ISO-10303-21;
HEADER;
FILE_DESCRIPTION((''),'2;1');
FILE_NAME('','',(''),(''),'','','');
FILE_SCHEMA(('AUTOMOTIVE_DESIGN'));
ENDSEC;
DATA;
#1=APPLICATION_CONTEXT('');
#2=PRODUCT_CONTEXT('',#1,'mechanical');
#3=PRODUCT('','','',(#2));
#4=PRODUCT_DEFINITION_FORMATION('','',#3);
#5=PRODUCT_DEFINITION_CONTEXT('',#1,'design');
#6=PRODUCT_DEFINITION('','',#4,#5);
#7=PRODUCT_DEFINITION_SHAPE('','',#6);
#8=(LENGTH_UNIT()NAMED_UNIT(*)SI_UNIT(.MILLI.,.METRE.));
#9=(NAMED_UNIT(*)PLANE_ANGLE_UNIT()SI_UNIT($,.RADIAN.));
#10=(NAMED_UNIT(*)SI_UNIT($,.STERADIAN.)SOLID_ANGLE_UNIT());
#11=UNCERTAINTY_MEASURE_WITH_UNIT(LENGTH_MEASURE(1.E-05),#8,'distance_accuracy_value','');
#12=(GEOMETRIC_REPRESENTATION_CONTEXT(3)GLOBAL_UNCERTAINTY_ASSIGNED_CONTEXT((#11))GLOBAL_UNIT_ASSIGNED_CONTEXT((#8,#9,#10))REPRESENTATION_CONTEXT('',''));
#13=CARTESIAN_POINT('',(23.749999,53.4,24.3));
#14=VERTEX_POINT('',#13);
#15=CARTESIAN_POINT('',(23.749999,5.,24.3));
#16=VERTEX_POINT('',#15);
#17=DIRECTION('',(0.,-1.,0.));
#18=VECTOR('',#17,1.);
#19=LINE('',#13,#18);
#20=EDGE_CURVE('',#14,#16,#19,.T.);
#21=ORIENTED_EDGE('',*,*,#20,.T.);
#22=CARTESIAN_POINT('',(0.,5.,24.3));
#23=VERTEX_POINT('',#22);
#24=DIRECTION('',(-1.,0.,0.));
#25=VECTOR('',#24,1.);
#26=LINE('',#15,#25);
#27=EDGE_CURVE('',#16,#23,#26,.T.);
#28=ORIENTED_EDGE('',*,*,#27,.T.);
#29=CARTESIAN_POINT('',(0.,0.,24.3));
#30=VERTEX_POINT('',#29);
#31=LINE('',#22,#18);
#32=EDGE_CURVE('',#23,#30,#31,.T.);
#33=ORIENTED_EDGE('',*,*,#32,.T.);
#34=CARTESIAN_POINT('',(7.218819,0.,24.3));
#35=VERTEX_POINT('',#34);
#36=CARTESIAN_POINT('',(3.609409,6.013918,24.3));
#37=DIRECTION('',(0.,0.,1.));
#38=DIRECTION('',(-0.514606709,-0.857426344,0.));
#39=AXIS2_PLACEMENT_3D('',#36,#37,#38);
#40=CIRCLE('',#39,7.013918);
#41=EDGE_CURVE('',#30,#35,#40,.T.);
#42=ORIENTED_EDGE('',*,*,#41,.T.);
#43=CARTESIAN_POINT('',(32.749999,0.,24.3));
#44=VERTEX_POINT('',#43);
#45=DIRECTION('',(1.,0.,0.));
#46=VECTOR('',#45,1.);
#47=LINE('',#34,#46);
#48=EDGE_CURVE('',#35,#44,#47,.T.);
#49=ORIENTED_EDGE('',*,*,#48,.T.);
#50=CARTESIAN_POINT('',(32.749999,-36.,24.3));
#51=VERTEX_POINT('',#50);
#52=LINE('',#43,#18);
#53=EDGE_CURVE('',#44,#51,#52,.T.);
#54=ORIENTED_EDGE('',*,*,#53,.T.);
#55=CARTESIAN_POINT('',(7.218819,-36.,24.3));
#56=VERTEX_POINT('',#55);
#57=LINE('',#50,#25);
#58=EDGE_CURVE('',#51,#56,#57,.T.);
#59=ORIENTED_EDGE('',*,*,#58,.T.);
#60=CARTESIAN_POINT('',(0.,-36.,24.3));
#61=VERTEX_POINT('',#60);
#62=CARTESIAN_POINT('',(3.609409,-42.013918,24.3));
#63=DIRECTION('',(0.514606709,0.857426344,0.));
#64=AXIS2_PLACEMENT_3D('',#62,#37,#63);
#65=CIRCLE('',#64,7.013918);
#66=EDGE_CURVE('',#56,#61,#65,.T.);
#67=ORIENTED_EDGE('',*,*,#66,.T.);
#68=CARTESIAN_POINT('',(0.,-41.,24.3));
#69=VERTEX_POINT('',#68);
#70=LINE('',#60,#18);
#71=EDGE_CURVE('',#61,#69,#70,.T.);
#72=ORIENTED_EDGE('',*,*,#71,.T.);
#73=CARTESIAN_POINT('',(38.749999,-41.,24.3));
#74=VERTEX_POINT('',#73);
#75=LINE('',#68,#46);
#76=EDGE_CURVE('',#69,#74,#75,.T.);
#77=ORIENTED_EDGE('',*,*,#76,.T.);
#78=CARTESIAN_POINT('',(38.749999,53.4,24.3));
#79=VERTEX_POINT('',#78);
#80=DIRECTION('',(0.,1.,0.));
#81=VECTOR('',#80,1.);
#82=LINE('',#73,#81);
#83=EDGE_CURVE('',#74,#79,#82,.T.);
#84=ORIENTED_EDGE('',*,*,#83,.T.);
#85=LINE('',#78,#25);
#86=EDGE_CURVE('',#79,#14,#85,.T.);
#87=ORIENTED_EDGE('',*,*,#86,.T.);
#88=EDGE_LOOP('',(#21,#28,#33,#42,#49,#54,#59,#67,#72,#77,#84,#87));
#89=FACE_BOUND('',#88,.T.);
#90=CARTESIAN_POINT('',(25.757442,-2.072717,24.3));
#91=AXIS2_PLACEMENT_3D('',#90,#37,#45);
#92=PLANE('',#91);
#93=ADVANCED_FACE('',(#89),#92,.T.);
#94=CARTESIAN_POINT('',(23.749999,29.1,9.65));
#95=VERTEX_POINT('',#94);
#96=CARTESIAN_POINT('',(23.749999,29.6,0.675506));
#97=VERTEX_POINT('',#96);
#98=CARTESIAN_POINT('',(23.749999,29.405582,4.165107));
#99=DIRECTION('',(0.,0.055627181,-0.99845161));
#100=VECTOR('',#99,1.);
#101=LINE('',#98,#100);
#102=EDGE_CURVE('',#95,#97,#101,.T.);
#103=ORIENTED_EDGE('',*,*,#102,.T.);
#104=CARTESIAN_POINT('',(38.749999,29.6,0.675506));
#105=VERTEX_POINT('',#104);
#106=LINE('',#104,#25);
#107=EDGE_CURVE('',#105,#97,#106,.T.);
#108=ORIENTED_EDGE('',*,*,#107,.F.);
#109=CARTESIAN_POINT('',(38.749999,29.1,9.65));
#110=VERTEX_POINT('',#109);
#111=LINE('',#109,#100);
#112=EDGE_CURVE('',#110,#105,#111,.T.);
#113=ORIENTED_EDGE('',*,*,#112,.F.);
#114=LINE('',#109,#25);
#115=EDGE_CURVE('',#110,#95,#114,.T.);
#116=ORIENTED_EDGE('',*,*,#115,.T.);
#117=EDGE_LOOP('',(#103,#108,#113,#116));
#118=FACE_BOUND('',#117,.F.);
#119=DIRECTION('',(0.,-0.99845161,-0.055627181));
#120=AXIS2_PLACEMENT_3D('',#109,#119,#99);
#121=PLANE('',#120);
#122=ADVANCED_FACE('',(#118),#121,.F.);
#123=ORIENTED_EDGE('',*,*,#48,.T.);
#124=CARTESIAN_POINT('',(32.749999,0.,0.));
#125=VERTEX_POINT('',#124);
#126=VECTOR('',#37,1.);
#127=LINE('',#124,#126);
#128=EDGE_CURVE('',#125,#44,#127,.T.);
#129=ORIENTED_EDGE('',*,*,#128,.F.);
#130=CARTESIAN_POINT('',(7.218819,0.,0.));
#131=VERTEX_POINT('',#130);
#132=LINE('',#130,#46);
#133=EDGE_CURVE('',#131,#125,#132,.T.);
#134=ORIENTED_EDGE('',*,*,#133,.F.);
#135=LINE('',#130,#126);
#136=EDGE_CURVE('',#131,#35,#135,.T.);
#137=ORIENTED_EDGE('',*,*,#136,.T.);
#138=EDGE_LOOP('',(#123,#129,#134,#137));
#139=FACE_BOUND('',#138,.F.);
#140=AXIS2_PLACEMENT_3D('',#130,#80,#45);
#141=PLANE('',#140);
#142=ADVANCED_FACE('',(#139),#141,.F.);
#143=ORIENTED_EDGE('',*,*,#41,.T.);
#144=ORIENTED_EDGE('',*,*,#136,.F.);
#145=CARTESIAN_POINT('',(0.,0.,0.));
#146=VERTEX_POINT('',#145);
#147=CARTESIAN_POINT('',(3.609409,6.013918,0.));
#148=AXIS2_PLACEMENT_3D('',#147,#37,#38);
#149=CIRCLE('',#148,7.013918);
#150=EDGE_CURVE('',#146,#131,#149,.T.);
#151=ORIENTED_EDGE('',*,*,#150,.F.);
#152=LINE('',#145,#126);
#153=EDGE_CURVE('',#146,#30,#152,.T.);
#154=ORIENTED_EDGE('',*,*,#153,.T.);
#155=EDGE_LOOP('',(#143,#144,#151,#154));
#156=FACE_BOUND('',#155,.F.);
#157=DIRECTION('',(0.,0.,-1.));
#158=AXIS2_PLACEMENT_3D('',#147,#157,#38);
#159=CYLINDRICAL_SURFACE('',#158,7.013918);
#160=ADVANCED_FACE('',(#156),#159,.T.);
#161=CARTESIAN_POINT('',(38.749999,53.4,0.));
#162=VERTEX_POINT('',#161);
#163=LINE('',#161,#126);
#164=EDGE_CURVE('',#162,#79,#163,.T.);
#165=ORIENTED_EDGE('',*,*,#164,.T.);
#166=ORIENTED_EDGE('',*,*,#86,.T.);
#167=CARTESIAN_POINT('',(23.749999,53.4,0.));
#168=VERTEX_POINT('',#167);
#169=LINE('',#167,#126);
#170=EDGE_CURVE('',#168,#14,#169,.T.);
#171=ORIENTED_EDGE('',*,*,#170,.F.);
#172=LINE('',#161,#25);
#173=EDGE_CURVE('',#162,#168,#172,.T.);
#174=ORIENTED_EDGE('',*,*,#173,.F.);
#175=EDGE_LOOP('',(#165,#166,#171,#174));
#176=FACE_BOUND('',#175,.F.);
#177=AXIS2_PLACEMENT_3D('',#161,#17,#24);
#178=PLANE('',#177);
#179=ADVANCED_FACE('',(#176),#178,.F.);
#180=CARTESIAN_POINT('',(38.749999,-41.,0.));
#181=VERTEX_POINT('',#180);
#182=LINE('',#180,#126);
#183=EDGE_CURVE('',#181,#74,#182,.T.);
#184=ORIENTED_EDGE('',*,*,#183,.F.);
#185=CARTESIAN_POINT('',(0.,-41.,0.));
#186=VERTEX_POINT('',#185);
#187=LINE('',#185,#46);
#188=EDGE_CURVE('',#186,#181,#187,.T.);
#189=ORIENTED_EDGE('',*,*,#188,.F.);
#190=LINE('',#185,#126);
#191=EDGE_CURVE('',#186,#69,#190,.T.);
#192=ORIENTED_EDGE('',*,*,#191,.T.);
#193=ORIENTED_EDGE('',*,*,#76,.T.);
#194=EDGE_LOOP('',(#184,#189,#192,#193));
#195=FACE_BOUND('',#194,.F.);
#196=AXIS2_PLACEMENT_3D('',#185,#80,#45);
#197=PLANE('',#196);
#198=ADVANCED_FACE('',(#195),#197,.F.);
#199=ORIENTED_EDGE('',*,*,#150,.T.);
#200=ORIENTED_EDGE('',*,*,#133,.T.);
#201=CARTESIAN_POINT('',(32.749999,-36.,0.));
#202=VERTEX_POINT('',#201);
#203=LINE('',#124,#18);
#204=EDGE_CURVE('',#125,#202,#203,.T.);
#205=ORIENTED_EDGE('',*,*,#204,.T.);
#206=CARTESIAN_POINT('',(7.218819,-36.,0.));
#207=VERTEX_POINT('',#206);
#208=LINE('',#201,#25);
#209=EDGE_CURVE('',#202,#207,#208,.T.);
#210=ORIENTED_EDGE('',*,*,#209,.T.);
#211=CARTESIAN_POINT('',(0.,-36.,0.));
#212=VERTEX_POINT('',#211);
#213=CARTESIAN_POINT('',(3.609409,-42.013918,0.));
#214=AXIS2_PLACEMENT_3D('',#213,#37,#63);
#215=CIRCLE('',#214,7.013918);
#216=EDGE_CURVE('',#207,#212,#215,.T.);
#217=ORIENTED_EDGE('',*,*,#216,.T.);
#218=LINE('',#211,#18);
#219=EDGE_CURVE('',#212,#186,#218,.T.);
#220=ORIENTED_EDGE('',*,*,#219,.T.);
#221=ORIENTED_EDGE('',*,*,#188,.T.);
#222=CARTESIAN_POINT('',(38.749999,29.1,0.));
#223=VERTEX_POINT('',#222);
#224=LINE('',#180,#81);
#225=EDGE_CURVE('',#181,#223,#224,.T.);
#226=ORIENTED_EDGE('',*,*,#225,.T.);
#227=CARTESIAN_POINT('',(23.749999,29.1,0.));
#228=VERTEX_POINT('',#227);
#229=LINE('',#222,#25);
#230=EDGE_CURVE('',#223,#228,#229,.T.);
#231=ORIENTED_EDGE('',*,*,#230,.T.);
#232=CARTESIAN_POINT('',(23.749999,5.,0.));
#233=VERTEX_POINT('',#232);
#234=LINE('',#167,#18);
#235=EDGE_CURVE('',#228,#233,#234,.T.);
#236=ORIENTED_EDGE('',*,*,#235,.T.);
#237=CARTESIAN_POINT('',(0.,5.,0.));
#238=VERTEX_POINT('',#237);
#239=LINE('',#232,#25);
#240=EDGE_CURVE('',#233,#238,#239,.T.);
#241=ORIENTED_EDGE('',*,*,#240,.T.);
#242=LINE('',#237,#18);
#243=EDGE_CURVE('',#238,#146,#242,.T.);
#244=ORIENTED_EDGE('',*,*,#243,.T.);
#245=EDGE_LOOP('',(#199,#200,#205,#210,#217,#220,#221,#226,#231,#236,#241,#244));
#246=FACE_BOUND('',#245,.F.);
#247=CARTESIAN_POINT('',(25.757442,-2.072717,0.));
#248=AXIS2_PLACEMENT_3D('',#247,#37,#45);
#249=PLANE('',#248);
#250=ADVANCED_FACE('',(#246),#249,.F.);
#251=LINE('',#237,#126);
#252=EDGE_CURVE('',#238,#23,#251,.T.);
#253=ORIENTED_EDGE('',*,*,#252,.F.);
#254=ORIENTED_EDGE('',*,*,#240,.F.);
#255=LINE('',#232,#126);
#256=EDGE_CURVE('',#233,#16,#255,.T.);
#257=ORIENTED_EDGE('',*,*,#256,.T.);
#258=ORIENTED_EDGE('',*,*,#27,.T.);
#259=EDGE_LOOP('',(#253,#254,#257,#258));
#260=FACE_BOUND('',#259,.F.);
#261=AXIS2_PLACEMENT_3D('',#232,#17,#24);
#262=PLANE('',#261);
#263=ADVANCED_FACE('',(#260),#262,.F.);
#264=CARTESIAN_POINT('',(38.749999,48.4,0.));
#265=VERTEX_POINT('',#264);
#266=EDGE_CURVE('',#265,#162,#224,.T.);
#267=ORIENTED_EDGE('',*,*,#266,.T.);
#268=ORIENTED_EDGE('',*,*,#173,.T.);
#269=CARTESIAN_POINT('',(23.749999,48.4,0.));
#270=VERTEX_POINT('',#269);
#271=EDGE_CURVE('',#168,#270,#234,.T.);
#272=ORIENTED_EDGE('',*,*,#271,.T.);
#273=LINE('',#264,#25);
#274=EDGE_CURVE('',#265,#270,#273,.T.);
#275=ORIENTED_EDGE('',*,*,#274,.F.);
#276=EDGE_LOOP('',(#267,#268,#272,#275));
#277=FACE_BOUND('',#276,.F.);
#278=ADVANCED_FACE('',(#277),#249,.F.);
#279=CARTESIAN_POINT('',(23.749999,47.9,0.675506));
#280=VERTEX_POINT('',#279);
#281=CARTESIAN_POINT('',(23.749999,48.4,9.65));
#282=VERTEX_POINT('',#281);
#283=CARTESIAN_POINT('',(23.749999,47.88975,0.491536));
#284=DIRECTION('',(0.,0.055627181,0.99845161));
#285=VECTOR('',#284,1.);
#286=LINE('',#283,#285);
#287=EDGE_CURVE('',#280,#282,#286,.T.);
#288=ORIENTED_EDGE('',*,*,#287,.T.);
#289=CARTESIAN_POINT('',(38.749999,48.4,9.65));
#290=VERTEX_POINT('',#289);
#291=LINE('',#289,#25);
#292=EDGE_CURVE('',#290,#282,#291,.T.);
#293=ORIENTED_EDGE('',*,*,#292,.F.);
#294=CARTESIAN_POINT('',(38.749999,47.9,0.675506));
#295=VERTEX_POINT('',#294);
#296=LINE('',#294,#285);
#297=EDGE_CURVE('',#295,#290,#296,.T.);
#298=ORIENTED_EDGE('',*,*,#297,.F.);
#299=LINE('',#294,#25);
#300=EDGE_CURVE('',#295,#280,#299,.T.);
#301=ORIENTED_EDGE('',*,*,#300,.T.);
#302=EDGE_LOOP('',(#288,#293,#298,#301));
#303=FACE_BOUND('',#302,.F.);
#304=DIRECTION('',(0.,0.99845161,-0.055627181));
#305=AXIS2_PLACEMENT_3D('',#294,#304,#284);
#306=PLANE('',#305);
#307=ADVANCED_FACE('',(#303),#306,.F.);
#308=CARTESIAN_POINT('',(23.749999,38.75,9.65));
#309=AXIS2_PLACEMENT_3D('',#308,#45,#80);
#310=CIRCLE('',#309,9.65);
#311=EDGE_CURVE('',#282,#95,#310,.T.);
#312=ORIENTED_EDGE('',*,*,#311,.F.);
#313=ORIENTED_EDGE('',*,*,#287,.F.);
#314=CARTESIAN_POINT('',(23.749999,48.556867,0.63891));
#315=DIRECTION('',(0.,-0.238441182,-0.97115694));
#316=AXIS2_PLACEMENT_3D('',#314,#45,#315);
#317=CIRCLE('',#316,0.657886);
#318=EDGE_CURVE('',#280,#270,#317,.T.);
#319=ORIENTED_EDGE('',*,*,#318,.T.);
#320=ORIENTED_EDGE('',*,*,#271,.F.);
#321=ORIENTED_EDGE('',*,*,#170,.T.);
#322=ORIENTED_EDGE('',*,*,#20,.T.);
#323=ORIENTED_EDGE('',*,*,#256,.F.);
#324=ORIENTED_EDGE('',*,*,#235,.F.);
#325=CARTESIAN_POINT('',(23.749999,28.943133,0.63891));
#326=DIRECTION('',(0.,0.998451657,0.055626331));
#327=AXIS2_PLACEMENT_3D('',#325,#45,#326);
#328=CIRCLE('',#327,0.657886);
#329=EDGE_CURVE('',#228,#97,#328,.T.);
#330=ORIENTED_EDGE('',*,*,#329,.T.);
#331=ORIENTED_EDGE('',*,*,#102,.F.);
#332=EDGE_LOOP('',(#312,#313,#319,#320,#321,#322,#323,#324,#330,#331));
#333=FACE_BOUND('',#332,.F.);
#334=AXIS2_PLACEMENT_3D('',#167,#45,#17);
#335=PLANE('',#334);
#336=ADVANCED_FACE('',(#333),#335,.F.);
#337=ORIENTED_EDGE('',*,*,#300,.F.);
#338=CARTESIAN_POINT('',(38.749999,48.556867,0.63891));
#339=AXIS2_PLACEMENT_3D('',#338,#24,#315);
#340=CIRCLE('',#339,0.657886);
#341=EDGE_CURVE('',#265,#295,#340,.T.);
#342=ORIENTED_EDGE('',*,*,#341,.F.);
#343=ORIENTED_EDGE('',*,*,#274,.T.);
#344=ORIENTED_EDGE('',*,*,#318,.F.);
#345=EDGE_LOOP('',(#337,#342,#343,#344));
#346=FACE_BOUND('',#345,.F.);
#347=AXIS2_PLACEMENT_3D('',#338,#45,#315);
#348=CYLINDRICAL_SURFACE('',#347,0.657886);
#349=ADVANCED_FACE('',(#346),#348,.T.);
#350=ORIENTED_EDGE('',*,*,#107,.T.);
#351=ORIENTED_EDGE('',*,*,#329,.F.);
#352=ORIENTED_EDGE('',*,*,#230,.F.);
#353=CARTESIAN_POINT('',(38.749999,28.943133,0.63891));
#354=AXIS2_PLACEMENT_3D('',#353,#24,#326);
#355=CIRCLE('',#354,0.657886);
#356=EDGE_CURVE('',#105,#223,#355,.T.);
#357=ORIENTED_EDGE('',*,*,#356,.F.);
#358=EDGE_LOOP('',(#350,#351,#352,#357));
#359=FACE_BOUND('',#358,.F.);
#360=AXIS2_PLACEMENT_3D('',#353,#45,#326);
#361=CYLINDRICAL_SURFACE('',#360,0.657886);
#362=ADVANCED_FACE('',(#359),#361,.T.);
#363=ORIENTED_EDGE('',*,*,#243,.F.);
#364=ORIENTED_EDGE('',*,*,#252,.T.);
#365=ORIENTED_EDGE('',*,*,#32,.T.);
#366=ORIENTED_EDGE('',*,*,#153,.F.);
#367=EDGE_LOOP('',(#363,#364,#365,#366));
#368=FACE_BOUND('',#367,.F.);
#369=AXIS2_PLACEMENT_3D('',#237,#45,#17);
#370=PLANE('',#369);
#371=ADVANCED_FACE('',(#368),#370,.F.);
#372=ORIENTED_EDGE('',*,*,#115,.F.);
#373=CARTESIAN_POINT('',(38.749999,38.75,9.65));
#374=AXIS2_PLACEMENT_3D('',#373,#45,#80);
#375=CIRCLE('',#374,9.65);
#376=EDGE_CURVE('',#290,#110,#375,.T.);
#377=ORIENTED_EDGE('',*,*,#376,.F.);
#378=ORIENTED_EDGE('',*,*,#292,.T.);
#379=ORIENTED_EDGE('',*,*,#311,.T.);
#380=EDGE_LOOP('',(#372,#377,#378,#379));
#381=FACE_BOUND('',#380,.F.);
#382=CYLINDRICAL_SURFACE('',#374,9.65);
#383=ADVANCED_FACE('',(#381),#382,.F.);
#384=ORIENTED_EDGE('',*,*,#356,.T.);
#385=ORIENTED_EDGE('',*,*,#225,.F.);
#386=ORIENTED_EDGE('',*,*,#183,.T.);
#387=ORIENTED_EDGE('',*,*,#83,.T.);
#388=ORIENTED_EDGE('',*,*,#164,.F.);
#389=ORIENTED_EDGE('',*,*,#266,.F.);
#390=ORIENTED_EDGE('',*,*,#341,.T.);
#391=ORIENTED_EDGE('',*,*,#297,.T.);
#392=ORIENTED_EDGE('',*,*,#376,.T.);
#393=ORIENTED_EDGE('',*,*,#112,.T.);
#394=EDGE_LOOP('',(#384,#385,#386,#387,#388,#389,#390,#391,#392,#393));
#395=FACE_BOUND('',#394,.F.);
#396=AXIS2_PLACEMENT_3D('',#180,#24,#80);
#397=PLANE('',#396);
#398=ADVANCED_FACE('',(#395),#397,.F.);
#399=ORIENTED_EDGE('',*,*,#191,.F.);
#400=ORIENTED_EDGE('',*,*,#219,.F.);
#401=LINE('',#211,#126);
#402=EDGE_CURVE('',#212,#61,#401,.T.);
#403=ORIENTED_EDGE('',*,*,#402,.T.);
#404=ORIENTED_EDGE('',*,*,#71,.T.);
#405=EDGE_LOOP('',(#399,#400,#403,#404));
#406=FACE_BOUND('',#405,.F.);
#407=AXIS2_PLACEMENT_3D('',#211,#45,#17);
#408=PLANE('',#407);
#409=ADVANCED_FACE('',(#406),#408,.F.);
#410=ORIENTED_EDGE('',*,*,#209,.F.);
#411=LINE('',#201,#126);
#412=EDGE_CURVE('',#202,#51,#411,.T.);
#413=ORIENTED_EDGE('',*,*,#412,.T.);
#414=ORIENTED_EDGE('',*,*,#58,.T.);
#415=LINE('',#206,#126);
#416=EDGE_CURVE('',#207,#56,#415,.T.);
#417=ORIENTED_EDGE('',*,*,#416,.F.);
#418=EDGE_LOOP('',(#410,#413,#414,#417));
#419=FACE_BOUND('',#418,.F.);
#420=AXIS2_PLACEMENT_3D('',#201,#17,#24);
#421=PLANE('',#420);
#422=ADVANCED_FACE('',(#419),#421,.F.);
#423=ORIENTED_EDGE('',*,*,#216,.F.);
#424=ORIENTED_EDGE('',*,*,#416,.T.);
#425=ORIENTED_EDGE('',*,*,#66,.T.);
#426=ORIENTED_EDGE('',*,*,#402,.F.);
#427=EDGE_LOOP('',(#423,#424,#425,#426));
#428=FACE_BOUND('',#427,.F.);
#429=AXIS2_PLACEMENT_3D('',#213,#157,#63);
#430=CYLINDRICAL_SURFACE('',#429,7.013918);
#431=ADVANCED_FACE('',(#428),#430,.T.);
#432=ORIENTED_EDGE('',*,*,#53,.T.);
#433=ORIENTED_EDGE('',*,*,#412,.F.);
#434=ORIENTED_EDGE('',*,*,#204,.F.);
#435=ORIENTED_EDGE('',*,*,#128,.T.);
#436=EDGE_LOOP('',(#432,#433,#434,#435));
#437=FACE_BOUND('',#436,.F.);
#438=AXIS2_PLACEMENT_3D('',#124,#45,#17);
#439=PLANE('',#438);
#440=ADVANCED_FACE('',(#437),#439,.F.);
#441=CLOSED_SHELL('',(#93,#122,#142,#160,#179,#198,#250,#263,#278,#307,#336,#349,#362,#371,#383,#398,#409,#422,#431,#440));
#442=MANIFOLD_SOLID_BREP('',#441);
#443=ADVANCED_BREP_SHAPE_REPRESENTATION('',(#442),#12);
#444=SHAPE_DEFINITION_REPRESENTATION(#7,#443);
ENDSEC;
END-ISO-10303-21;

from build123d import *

# Parameters (mm, degrees)
F1_DEPTH = 24.3
F3_DEPTH = 25


with BuildPart() as f1:
    # F0 (on Top) → F1 (new body)
    with BuildSketch(Plane.XY):
        with BuildLine():
            ThreePointArc((0, 0), (3.60941, -1), (7.218819, 0))
            Line((7.218819, 0), (32.749999, 0))
            Line((32.749999, 0), (32.749999, -36))
            Line((32.749999, -36), (7.218819, -36))
            ThreePointArc((7.218819, -36), (3.60941, -35), (0, -36))
            Line((0, -36), (0, -41))
            Line((0, -41), (38.749999, -41))
            Line((38.749999, -41), (38.749999, 53.4))
            Line((38.749999, 53.4), (23.749999, 53.4))
            Line((23.749999, 53.4), (23.749999, 5))
            Line((23.749999, 5), (0, 5))
            Line((0, 5), (0, 0))
        make_face()
    extrude(amount=F1_DEPTH)

    # F2 (on face) → F3 (cut)
    with BuildSketch(Plane.YZ.offset(38.749999)):
        with BuildLine():
            Line((47.9, 0.675506), (48.4, 9.65))
            ThreePointArc((48.4, 9.65), (38.75, 19.3), (29.1, 9.65))
            Line((29.1, 9.65), (29.6, 0.675506))
            ThreePointArc((29.6, 0.675506), (29.471922, 0.247508), (29.1, 0))
            Line((29.1, 0), (48.4, 0))
            ThreePointArc((48.4, 0), (48.028078, 0.247508), (47.9, 0.675506))
        make_face()
    extrude(amount=-F3_DEPTH, mode=Mode.SUBTRACT)


solid = f1.part
